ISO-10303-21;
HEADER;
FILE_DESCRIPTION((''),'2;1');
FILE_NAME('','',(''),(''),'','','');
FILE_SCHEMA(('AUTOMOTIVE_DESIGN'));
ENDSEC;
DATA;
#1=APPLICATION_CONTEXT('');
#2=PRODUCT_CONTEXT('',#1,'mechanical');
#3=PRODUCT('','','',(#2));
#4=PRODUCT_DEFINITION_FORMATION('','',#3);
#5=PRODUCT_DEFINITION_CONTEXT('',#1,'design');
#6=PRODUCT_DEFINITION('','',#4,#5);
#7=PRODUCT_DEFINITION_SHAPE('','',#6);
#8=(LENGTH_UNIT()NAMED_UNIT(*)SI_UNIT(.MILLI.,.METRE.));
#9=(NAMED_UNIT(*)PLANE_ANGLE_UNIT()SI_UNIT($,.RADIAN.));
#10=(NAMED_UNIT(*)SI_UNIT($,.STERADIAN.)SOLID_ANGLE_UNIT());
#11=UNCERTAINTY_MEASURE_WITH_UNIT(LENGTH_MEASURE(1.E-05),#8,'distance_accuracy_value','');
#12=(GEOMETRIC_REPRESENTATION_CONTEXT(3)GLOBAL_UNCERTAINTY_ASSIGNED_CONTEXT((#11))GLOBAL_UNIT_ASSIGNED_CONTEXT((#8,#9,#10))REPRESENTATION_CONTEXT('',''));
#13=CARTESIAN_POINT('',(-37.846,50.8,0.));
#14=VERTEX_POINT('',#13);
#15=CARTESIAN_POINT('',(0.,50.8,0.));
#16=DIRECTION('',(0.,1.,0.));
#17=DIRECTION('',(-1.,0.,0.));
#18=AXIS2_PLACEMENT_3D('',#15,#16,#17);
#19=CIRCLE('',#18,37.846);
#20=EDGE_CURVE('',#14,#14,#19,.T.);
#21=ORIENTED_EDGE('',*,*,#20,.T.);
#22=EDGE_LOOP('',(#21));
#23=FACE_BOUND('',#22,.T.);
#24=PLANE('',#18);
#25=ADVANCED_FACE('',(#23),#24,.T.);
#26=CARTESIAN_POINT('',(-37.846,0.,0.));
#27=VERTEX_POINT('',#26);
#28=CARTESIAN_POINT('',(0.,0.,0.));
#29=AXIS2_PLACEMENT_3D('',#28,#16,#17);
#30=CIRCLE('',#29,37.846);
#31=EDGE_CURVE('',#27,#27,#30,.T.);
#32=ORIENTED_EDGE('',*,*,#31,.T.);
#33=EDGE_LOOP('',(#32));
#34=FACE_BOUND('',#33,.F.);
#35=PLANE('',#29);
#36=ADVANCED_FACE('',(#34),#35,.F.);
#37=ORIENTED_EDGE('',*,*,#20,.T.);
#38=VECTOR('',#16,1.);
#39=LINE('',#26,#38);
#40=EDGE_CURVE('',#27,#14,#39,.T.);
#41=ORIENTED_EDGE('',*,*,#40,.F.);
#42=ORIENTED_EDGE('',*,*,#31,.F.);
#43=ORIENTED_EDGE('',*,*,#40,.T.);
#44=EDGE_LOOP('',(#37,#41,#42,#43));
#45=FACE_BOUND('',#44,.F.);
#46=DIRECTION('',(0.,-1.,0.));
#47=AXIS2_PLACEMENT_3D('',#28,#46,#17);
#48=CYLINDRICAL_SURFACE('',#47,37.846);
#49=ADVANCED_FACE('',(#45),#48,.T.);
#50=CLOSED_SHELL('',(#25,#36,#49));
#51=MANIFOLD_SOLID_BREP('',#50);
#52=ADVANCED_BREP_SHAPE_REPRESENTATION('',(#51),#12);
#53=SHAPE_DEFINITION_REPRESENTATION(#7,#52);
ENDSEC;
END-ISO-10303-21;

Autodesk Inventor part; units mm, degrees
ref_plane "YZ Plane" through (0, 0, 0) normal (1, 0, 0) x (0, 1, 0)
ref_plane "XZ Plane" through (0, 0, 0) normal (0, 1, 0) x (-1, 0, 0)
ref_plane "XY Plane" through (0, 0, 0) normal (0, 0, 1) x (1, 0, 0)
sketch "Sketch1" plane through (0, 0, 0) normal (0, 1, 0) x (-1, 0, 0)
  circle A0 centre (0, 0) radius 37.846
  dimension "d0" = 75.692
extrude "Extrusion1" add sketch "Sketch1" along normal blind 50.8
properties part number "acetone"
